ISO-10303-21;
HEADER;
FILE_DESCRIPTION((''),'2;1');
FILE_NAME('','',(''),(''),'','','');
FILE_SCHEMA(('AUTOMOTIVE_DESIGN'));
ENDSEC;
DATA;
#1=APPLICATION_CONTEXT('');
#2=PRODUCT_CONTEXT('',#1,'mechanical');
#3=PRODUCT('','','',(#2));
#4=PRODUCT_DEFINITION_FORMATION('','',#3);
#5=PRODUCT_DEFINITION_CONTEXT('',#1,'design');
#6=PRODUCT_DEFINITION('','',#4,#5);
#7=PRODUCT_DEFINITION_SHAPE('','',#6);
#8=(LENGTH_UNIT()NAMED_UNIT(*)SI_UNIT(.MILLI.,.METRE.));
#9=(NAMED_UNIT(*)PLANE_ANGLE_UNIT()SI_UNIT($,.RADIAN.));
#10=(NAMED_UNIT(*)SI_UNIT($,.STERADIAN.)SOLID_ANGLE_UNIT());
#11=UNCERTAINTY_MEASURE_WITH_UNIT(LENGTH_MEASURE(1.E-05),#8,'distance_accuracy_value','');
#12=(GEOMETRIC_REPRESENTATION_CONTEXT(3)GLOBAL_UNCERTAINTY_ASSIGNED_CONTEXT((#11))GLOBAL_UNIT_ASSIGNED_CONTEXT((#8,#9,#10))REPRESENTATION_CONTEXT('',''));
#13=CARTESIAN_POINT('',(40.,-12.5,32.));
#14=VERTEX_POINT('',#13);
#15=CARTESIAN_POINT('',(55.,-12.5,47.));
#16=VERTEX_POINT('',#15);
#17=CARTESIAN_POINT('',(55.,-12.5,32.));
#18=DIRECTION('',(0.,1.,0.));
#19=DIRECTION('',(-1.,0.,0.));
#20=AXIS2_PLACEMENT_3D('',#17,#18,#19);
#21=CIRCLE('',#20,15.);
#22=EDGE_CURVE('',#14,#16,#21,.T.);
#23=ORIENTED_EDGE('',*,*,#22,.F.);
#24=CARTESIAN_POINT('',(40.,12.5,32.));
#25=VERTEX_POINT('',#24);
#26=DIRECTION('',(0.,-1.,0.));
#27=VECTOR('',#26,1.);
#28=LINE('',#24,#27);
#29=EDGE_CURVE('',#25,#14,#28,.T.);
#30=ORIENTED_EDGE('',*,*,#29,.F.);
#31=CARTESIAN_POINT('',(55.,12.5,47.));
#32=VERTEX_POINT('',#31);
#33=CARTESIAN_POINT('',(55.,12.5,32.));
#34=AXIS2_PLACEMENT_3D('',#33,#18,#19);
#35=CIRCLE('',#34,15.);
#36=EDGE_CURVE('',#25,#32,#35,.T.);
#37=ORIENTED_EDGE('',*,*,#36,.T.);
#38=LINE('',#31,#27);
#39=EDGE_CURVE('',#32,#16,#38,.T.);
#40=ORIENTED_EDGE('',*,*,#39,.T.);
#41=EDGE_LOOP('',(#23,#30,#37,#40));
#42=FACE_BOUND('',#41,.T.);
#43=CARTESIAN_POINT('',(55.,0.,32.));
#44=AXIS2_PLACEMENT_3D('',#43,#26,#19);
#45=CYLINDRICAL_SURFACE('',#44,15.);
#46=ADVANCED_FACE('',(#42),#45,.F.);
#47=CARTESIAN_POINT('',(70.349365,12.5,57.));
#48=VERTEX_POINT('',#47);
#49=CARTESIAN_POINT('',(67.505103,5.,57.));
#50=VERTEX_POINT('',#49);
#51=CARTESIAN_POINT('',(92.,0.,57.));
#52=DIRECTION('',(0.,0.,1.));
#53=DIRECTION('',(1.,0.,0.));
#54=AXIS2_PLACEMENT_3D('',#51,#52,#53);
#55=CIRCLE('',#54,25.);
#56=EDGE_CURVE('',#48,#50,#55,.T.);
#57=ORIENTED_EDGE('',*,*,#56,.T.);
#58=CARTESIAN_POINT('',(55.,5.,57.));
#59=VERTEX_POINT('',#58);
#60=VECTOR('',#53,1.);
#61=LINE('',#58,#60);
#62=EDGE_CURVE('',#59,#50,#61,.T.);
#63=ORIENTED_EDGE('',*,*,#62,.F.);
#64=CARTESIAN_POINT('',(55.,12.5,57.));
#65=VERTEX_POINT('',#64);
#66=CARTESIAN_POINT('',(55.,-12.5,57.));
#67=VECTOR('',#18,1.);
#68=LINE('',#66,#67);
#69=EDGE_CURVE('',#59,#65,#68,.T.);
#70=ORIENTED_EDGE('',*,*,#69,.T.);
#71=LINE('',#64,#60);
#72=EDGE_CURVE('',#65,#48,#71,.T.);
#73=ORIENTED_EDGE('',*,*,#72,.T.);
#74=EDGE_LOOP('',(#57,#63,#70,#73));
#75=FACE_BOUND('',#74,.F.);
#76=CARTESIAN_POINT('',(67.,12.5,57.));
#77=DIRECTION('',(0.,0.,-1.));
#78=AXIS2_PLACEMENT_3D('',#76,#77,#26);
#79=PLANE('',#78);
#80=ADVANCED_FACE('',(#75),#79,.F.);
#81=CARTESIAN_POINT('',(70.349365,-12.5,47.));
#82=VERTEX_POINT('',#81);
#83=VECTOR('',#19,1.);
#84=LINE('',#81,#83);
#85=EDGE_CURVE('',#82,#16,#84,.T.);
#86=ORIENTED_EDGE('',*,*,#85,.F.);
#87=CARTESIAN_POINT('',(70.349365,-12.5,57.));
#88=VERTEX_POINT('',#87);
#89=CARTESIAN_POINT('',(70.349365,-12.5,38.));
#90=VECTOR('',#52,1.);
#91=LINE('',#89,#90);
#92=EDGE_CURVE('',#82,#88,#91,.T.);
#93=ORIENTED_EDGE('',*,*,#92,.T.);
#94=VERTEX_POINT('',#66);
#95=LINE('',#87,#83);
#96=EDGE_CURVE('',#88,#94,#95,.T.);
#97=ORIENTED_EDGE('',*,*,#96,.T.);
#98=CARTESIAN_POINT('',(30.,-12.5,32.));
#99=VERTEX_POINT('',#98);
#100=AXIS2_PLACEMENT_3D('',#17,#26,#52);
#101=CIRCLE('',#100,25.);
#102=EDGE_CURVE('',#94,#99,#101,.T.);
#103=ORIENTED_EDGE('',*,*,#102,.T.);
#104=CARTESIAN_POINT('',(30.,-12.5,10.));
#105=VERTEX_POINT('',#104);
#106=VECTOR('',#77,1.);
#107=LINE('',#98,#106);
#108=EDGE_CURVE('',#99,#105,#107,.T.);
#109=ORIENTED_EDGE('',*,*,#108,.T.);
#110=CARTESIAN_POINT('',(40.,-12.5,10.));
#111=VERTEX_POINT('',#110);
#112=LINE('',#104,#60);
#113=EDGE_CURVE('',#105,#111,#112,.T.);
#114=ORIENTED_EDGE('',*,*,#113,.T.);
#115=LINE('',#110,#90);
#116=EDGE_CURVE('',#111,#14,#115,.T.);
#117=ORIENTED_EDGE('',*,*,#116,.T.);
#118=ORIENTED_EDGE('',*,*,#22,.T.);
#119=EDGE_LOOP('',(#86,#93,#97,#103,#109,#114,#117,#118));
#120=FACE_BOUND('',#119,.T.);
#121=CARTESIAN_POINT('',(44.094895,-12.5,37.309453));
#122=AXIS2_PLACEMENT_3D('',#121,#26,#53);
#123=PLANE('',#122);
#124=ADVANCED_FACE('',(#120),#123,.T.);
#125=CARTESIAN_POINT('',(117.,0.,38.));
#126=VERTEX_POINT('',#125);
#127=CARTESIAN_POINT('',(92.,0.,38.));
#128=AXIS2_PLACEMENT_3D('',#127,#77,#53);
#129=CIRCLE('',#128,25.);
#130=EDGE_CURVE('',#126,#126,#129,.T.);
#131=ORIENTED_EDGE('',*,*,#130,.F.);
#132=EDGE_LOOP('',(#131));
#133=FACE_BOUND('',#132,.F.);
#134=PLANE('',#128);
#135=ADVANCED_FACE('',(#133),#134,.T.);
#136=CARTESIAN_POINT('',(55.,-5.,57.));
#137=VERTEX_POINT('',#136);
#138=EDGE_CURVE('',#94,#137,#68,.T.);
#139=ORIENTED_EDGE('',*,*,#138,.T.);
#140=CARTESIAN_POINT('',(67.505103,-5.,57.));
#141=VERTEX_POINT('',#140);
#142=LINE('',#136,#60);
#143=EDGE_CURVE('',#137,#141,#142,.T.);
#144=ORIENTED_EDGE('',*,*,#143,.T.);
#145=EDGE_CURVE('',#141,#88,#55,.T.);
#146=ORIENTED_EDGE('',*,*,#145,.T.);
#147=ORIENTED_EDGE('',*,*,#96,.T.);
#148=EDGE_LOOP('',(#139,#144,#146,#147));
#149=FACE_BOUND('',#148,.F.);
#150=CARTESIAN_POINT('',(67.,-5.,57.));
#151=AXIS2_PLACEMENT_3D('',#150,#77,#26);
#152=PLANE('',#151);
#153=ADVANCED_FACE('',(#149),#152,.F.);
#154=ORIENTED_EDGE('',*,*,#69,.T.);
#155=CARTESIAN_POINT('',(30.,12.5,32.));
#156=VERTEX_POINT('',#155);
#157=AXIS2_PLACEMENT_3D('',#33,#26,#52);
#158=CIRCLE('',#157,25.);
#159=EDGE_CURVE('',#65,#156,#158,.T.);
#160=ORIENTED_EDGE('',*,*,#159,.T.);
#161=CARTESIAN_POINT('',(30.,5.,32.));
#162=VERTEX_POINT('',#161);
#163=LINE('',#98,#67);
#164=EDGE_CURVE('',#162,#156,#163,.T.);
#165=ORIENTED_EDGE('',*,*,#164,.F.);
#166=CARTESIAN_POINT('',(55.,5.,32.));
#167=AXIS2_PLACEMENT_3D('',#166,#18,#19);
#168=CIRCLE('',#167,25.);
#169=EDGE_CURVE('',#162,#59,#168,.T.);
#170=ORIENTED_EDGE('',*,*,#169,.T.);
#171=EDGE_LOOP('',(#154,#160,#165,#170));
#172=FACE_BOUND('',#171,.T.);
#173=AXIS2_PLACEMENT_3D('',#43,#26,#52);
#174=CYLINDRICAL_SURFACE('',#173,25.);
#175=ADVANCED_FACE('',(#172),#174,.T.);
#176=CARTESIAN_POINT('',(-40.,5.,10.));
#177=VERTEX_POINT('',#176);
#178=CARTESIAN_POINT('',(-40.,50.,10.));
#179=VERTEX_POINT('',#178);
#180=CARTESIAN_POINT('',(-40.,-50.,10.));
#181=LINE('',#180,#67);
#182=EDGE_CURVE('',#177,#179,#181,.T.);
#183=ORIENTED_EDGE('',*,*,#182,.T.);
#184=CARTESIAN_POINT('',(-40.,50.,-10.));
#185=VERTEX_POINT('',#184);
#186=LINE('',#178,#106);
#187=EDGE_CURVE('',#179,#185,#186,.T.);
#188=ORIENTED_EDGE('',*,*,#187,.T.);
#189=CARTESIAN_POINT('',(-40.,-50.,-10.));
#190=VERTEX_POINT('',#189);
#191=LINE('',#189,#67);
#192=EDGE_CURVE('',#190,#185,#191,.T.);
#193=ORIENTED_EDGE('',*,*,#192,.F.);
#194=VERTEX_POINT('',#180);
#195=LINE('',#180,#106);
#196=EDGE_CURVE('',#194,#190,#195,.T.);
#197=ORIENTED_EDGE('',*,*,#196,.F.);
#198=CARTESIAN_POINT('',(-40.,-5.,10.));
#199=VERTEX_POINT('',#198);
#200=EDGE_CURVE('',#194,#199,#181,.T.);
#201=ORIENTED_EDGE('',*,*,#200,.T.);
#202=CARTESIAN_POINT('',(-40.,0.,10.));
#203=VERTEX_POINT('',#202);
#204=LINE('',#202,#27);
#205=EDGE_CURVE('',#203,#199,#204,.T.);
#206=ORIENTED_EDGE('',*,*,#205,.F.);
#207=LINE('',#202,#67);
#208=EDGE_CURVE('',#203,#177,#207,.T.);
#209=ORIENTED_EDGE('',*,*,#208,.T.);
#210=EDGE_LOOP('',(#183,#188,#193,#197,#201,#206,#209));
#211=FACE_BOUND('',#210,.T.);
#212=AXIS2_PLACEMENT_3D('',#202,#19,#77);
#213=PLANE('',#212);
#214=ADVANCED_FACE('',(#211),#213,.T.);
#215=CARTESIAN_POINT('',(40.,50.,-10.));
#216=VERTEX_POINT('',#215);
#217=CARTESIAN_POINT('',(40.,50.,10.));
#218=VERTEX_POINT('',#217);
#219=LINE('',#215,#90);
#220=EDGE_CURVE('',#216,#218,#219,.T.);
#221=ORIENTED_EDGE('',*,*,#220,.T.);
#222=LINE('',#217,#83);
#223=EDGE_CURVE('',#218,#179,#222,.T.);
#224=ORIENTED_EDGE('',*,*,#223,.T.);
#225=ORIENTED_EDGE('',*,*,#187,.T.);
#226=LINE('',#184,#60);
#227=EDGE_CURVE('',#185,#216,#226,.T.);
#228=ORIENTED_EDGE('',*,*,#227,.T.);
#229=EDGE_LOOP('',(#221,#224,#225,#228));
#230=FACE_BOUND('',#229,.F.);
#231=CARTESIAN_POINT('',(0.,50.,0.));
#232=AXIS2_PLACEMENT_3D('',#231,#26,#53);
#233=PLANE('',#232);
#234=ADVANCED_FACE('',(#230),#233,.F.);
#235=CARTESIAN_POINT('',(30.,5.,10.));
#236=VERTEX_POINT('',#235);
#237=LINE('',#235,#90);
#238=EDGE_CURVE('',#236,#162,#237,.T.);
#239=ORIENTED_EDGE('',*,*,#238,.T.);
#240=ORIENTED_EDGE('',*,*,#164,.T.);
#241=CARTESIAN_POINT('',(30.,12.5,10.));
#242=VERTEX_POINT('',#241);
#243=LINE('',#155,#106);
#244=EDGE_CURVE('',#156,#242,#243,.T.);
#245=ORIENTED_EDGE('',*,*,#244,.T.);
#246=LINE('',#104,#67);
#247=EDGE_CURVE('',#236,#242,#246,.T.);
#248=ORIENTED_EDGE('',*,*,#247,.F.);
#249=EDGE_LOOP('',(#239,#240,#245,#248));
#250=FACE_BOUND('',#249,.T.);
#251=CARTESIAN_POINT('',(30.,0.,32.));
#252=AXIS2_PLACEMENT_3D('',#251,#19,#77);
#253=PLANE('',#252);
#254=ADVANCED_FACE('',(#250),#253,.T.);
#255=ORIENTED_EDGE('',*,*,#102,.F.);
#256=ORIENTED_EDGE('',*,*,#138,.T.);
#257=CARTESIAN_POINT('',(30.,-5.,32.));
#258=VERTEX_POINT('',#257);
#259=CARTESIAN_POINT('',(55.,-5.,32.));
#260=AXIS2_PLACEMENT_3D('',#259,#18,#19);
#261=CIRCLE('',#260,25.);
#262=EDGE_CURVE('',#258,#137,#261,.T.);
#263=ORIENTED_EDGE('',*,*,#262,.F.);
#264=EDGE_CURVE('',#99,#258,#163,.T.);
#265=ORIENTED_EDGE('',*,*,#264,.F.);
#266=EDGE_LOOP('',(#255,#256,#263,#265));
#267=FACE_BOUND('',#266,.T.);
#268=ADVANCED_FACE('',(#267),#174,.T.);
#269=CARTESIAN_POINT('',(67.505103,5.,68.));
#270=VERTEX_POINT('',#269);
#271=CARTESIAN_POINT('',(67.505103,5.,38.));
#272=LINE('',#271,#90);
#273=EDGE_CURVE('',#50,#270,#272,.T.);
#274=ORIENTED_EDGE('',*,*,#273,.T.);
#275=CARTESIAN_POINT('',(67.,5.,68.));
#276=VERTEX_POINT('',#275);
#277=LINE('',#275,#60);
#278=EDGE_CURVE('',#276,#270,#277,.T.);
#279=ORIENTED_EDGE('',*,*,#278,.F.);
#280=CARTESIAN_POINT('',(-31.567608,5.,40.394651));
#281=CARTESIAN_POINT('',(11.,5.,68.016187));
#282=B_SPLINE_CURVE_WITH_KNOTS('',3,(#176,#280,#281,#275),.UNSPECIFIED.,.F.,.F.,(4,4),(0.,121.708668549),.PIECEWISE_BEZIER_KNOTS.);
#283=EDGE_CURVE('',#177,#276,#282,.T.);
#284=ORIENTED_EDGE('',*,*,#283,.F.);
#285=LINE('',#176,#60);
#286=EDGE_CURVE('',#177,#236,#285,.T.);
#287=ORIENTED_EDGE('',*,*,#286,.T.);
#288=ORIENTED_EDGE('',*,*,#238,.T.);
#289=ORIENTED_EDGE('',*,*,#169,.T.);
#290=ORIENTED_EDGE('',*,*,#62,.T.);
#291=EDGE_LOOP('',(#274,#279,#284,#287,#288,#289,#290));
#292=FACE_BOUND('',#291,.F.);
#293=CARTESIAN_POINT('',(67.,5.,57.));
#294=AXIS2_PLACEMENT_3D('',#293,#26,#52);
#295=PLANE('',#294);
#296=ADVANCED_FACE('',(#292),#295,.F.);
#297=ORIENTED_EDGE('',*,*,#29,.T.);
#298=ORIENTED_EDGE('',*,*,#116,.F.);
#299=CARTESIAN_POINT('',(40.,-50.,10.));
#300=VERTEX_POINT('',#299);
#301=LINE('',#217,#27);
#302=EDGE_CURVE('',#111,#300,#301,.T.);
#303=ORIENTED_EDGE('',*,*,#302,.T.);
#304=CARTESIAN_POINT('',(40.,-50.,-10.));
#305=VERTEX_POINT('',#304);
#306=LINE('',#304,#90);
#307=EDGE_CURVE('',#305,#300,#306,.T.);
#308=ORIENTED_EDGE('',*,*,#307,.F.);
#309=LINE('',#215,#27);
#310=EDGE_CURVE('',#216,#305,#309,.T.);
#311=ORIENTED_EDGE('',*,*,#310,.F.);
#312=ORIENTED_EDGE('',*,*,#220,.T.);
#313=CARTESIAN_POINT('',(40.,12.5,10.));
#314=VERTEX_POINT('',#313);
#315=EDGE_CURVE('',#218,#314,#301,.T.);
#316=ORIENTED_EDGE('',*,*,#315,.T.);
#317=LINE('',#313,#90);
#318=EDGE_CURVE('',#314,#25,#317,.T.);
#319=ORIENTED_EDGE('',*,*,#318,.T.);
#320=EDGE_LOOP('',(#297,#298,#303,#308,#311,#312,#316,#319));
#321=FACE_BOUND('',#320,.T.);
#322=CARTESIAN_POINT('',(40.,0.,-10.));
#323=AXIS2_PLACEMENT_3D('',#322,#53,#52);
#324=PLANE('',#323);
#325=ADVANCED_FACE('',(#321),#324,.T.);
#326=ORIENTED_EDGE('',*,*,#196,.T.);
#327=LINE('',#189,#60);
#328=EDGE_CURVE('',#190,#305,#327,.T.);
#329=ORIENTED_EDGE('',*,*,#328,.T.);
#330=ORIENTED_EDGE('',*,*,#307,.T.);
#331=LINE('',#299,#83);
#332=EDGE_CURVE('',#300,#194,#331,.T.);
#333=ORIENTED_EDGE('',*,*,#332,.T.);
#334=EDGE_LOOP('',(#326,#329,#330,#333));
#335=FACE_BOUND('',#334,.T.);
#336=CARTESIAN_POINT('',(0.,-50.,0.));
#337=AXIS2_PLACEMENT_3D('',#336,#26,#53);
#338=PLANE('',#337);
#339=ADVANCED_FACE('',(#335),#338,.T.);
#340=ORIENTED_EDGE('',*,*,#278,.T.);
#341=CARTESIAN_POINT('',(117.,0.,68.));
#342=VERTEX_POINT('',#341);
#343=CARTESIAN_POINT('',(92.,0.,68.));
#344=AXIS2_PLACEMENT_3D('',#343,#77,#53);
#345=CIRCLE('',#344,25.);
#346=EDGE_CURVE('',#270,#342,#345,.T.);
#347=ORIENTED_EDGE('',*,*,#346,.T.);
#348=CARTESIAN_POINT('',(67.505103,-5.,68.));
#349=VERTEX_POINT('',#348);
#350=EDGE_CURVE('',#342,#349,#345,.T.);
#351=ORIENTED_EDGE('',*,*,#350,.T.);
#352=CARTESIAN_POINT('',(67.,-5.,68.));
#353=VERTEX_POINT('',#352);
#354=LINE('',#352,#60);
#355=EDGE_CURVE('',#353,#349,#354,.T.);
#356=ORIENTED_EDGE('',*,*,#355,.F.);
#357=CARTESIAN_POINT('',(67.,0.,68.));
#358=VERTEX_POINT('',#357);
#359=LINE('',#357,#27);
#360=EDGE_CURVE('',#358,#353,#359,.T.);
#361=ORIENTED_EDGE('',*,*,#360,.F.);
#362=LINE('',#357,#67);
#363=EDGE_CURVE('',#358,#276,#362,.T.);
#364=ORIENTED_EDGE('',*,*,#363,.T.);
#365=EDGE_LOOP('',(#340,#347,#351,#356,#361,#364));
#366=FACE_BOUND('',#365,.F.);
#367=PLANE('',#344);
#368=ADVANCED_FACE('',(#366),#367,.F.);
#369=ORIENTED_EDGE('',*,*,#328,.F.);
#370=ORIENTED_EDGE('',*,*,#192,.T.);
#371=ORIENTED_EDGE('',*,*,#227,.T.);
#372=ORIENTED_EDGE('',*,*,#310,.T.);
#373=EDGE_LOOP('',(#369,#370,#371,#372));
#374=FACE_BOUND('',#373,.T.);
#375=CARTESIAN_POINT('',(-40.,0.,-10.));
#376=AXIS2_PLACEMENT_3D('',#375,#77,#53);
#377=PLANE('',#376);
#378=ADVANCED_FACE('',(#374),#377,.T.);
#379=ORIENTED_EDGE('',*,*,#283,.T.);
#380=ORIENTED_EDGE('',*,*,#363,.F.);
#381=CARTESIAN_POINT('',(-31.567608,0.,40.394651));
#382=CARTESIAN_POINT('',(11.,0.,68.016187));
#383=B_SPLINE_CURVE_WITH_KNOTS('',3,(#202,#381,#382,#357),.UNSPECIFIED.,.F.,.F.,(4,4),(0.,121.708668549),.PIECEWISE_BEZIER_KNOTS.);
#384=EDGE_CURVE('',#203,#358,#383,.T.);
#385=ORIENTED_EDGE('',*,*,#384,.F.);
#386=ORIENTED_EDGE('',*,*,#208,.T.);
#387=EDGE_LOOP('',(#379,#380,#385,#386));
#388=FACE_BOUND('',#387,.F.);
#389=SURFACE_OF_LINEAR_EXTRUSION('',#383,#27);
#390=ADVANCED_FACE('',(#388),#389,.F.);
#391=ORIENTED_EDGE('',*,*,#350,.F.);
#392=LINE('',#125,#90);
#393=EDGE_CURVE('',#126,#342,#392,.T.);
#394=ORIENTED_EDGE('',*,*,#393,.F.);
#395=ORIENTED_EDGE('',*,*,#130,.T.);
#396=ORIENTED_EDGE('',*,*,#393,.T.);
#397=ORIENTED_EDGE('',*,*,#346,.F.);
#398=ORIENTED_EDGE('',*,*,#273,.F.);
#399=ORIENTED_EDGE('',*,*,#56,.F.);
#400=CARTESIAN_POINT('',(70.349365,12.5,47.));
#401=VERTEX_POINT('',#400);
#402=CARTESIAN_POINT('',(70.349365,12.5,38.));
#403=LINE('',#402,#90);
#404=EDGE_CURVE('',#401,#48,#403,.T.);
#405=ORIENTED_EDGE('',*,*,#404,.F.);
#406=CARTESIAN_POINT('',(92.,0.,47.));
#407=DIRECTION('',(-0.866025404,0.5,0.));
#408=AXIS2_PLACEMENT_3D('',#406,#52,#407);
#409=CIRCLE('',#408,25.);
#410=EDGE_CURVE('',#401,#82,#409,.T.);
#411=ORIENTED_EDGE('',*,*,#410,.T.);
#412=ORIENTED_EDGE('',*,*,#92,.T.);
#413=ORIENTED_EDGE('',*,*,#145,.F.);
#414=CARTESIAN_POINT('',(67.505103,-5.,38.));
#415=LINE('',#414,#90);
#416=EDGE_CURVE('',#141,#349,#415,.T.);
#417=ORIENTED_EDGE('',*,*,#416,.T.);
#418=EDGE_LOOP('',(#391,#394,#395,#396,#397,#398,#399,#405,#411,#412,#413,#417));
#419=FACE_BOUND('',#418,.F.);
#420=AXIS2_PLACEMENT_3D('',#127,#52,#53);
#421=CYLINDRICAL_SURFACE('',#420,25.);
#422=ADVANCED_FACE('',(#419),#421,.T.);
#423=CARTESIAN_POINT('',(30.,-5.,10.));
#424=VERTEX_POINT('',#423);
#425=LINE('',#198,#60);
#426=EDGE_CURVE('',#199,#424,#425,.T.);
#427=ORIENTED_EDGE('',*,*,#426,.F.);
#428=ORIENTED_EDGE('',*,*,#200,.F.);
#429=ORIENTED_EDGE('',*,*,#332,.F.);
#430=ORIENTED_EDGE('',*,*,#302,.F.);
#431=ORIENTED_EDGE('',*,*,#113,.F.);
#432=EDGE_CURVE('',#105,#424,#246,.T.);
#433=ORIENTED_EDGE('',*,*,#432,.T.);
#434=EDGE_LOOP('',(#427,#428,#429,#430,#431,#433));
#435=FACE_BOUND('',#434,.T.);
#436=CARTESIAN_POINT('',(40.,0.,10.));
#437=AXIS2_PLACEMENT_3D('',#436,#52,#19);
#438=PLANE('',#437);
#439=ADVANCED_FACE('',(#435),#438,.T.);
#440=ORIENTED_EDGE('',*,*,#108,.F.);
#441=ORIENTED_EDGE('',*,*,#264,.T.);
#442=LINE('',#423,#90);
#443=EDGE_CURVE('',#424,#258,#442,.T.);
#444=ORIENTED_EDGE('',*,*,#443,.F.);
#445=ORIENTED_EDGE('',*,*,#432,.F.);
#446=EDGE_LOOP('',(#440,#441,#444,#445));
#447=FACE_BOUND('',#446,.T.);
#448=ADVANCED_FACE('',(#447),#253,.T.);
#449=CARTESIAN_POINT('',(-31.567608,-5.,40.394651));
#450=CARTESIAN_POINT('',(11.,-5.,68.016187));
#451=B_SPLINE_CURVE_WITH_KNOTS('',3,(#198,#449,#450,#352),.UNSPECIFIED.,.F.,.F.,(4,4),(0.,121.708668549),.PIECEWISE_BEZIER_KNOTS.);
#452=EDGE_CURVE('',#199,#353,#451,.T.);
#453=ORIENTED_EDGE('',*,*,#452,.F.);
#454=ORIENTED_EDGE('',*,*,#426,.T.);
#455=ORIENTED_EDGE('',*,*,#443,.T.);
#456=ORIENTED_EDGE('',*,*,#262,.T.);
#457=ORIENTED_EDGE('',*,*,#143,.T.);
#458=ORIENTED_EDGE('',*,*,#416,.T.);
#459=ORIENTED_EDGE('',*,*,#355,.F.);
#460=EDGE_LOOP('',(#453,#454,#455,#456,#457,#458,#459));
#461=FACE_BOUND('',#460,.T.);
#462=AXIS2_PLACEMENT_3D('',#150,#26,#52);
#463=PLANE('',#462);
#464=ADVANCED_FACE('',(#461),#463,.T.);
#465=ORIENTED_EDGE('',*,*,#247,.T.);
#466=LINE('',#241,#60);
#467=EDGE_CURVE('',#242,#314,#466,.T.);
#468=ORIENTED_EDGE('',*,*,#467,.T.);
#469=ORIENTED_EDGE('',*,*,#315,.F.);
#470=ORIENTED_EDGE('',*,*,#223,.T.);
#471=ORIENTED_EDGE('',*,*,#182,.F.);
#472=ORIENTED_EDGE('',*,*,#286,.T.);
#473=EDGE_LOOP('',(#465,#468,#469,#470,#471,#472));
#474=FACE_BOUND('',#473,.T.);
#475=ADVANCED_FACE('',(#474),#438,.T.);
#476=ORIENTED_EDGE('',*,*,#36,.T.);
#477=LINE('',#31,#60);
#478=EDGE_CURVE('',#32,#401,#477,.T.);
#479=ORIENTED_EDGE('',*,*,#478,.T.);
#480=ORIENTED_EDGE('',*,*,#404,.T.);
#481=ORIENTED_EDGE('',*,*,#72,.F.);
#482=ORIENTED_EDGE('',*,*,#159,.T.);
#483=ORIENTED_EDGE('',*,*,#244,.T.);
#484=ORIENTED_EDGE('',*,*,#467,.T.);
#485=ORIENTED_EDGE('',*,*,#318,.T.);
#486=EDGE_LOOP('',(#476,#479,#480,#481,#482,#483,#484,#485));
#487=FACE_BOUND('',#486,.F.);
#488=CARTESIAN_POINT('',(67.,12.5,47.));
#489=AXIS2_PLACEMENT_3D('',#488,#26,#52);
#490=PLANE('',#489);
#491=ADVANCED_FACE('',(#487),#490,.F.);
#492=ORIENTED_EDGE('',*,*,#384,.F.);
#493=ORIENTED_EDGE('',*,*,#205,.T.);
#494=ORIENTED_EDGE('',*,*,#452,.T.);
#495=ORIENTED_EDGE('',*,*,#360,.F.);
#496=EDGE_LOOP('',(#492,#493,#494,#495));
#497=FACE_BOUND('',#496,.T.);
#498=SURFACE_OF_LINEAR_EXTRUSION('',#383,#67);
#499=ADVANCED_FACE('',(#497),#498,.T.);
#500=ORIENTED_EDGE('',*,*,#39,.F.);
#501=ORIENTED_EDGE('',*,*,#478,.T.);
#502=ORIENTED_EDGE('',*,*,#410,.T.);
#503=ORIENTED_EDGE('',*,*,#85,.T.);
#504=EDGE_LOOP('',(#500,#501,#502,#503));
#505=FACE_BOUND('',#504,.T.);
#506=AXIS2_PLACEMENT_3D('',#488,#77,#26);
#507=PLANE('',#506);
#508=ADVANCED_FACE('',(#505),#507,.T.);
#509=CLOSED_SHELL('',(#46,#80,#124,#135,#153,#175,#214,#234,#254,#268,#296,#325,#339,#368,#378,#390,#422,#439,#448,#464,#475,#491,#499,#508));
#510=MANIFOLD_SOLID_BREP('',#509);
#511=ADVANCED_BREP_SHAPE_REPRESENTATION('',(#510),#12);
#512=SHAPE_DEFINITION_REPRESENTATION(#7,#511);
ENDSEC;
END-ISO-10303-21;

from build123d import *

# Parameters (mm, degrees)
F1_DEPTH = 50
F2_DEPTH = 12.5
F3_DEPTH = 5
F5_DEPTH = 5


with BuildPart() as f1:
    # F0 (on Front) → F1 (new body, symmetric)
    with BuildSketch(Plane.XZ):
        Polygon((-40, -10), (40, -10), (40, 10), (30, 10), (-40, 10), align=None)
    extrude(amount=F1_DEPTH, both=True)

    # F0 (on Front) → F2 (join, symmetric)
    with BuildSketch(Plane.XZ):
        with BuildLine():
            Line((30, 10), (40, 10))
            Line((40, 10), (40, 32))
            ThreePointArc((40, 32), (44.3933982822, 42.6066017178), (55, 47))
            Line((55, 47), (67, 47))
            Line((67, 47), (67, 57))
            Line((67, 57), (55, 57))
            ThreePointArc((55, 57), (37.3223304703, 49.6776695297), (30, 32))
            Line((30, 32), (30, 10))
        make_face()
    extrude(amount=F2_DEPTH, both=True)

    # F0 (on Front) → F3 (join, symmetric)
    with BuildSketch(Plane.XZ):
        with BuildLine():
            add(Edge.make_bspline(
                [(-40, 10), (-31.567607969, 40.394651228), (11, 68.0161871854), (67, 68)],
                knots=[0, 0, 0, 0, 121.7086685491, 121.7086685491, 121.7086685491, 121.7086685491], degree=3))
            Line((-40, 10), (30, 10))
            Line((30, 10), (30, 32))
            ThreePointArc((30, 32), (37.3223304703, 49.6776695297), (55, 57))
            Line((55, 57), (67, 57))
            Line((67, 57), (67, 68))
        make_face()
    extrude(amount=F3_DEPTH, both=True)

    # F0 (on Front) → F4 (revolve)
    with BuildSketch(Plane.XZ):
        Polygon((117, 68), (92, 68), (92, 57), (92, 47), (92, 38), (117, 38), align=None)
    revolve(axis=Axis((92, 0, 52), (0, 0, -1)))

    # F5 (add): faces of the model
    f5_faces = [f1.faces().sort_by_distance(p)[0] for p in [
        (67, 5.1041666667, 55.2083333333),
        (67, -5.1041666667, 55.2083333333),
    ]]
    extrude(f5_faces, amount=F5_DEPTH)


solid = f1.part
